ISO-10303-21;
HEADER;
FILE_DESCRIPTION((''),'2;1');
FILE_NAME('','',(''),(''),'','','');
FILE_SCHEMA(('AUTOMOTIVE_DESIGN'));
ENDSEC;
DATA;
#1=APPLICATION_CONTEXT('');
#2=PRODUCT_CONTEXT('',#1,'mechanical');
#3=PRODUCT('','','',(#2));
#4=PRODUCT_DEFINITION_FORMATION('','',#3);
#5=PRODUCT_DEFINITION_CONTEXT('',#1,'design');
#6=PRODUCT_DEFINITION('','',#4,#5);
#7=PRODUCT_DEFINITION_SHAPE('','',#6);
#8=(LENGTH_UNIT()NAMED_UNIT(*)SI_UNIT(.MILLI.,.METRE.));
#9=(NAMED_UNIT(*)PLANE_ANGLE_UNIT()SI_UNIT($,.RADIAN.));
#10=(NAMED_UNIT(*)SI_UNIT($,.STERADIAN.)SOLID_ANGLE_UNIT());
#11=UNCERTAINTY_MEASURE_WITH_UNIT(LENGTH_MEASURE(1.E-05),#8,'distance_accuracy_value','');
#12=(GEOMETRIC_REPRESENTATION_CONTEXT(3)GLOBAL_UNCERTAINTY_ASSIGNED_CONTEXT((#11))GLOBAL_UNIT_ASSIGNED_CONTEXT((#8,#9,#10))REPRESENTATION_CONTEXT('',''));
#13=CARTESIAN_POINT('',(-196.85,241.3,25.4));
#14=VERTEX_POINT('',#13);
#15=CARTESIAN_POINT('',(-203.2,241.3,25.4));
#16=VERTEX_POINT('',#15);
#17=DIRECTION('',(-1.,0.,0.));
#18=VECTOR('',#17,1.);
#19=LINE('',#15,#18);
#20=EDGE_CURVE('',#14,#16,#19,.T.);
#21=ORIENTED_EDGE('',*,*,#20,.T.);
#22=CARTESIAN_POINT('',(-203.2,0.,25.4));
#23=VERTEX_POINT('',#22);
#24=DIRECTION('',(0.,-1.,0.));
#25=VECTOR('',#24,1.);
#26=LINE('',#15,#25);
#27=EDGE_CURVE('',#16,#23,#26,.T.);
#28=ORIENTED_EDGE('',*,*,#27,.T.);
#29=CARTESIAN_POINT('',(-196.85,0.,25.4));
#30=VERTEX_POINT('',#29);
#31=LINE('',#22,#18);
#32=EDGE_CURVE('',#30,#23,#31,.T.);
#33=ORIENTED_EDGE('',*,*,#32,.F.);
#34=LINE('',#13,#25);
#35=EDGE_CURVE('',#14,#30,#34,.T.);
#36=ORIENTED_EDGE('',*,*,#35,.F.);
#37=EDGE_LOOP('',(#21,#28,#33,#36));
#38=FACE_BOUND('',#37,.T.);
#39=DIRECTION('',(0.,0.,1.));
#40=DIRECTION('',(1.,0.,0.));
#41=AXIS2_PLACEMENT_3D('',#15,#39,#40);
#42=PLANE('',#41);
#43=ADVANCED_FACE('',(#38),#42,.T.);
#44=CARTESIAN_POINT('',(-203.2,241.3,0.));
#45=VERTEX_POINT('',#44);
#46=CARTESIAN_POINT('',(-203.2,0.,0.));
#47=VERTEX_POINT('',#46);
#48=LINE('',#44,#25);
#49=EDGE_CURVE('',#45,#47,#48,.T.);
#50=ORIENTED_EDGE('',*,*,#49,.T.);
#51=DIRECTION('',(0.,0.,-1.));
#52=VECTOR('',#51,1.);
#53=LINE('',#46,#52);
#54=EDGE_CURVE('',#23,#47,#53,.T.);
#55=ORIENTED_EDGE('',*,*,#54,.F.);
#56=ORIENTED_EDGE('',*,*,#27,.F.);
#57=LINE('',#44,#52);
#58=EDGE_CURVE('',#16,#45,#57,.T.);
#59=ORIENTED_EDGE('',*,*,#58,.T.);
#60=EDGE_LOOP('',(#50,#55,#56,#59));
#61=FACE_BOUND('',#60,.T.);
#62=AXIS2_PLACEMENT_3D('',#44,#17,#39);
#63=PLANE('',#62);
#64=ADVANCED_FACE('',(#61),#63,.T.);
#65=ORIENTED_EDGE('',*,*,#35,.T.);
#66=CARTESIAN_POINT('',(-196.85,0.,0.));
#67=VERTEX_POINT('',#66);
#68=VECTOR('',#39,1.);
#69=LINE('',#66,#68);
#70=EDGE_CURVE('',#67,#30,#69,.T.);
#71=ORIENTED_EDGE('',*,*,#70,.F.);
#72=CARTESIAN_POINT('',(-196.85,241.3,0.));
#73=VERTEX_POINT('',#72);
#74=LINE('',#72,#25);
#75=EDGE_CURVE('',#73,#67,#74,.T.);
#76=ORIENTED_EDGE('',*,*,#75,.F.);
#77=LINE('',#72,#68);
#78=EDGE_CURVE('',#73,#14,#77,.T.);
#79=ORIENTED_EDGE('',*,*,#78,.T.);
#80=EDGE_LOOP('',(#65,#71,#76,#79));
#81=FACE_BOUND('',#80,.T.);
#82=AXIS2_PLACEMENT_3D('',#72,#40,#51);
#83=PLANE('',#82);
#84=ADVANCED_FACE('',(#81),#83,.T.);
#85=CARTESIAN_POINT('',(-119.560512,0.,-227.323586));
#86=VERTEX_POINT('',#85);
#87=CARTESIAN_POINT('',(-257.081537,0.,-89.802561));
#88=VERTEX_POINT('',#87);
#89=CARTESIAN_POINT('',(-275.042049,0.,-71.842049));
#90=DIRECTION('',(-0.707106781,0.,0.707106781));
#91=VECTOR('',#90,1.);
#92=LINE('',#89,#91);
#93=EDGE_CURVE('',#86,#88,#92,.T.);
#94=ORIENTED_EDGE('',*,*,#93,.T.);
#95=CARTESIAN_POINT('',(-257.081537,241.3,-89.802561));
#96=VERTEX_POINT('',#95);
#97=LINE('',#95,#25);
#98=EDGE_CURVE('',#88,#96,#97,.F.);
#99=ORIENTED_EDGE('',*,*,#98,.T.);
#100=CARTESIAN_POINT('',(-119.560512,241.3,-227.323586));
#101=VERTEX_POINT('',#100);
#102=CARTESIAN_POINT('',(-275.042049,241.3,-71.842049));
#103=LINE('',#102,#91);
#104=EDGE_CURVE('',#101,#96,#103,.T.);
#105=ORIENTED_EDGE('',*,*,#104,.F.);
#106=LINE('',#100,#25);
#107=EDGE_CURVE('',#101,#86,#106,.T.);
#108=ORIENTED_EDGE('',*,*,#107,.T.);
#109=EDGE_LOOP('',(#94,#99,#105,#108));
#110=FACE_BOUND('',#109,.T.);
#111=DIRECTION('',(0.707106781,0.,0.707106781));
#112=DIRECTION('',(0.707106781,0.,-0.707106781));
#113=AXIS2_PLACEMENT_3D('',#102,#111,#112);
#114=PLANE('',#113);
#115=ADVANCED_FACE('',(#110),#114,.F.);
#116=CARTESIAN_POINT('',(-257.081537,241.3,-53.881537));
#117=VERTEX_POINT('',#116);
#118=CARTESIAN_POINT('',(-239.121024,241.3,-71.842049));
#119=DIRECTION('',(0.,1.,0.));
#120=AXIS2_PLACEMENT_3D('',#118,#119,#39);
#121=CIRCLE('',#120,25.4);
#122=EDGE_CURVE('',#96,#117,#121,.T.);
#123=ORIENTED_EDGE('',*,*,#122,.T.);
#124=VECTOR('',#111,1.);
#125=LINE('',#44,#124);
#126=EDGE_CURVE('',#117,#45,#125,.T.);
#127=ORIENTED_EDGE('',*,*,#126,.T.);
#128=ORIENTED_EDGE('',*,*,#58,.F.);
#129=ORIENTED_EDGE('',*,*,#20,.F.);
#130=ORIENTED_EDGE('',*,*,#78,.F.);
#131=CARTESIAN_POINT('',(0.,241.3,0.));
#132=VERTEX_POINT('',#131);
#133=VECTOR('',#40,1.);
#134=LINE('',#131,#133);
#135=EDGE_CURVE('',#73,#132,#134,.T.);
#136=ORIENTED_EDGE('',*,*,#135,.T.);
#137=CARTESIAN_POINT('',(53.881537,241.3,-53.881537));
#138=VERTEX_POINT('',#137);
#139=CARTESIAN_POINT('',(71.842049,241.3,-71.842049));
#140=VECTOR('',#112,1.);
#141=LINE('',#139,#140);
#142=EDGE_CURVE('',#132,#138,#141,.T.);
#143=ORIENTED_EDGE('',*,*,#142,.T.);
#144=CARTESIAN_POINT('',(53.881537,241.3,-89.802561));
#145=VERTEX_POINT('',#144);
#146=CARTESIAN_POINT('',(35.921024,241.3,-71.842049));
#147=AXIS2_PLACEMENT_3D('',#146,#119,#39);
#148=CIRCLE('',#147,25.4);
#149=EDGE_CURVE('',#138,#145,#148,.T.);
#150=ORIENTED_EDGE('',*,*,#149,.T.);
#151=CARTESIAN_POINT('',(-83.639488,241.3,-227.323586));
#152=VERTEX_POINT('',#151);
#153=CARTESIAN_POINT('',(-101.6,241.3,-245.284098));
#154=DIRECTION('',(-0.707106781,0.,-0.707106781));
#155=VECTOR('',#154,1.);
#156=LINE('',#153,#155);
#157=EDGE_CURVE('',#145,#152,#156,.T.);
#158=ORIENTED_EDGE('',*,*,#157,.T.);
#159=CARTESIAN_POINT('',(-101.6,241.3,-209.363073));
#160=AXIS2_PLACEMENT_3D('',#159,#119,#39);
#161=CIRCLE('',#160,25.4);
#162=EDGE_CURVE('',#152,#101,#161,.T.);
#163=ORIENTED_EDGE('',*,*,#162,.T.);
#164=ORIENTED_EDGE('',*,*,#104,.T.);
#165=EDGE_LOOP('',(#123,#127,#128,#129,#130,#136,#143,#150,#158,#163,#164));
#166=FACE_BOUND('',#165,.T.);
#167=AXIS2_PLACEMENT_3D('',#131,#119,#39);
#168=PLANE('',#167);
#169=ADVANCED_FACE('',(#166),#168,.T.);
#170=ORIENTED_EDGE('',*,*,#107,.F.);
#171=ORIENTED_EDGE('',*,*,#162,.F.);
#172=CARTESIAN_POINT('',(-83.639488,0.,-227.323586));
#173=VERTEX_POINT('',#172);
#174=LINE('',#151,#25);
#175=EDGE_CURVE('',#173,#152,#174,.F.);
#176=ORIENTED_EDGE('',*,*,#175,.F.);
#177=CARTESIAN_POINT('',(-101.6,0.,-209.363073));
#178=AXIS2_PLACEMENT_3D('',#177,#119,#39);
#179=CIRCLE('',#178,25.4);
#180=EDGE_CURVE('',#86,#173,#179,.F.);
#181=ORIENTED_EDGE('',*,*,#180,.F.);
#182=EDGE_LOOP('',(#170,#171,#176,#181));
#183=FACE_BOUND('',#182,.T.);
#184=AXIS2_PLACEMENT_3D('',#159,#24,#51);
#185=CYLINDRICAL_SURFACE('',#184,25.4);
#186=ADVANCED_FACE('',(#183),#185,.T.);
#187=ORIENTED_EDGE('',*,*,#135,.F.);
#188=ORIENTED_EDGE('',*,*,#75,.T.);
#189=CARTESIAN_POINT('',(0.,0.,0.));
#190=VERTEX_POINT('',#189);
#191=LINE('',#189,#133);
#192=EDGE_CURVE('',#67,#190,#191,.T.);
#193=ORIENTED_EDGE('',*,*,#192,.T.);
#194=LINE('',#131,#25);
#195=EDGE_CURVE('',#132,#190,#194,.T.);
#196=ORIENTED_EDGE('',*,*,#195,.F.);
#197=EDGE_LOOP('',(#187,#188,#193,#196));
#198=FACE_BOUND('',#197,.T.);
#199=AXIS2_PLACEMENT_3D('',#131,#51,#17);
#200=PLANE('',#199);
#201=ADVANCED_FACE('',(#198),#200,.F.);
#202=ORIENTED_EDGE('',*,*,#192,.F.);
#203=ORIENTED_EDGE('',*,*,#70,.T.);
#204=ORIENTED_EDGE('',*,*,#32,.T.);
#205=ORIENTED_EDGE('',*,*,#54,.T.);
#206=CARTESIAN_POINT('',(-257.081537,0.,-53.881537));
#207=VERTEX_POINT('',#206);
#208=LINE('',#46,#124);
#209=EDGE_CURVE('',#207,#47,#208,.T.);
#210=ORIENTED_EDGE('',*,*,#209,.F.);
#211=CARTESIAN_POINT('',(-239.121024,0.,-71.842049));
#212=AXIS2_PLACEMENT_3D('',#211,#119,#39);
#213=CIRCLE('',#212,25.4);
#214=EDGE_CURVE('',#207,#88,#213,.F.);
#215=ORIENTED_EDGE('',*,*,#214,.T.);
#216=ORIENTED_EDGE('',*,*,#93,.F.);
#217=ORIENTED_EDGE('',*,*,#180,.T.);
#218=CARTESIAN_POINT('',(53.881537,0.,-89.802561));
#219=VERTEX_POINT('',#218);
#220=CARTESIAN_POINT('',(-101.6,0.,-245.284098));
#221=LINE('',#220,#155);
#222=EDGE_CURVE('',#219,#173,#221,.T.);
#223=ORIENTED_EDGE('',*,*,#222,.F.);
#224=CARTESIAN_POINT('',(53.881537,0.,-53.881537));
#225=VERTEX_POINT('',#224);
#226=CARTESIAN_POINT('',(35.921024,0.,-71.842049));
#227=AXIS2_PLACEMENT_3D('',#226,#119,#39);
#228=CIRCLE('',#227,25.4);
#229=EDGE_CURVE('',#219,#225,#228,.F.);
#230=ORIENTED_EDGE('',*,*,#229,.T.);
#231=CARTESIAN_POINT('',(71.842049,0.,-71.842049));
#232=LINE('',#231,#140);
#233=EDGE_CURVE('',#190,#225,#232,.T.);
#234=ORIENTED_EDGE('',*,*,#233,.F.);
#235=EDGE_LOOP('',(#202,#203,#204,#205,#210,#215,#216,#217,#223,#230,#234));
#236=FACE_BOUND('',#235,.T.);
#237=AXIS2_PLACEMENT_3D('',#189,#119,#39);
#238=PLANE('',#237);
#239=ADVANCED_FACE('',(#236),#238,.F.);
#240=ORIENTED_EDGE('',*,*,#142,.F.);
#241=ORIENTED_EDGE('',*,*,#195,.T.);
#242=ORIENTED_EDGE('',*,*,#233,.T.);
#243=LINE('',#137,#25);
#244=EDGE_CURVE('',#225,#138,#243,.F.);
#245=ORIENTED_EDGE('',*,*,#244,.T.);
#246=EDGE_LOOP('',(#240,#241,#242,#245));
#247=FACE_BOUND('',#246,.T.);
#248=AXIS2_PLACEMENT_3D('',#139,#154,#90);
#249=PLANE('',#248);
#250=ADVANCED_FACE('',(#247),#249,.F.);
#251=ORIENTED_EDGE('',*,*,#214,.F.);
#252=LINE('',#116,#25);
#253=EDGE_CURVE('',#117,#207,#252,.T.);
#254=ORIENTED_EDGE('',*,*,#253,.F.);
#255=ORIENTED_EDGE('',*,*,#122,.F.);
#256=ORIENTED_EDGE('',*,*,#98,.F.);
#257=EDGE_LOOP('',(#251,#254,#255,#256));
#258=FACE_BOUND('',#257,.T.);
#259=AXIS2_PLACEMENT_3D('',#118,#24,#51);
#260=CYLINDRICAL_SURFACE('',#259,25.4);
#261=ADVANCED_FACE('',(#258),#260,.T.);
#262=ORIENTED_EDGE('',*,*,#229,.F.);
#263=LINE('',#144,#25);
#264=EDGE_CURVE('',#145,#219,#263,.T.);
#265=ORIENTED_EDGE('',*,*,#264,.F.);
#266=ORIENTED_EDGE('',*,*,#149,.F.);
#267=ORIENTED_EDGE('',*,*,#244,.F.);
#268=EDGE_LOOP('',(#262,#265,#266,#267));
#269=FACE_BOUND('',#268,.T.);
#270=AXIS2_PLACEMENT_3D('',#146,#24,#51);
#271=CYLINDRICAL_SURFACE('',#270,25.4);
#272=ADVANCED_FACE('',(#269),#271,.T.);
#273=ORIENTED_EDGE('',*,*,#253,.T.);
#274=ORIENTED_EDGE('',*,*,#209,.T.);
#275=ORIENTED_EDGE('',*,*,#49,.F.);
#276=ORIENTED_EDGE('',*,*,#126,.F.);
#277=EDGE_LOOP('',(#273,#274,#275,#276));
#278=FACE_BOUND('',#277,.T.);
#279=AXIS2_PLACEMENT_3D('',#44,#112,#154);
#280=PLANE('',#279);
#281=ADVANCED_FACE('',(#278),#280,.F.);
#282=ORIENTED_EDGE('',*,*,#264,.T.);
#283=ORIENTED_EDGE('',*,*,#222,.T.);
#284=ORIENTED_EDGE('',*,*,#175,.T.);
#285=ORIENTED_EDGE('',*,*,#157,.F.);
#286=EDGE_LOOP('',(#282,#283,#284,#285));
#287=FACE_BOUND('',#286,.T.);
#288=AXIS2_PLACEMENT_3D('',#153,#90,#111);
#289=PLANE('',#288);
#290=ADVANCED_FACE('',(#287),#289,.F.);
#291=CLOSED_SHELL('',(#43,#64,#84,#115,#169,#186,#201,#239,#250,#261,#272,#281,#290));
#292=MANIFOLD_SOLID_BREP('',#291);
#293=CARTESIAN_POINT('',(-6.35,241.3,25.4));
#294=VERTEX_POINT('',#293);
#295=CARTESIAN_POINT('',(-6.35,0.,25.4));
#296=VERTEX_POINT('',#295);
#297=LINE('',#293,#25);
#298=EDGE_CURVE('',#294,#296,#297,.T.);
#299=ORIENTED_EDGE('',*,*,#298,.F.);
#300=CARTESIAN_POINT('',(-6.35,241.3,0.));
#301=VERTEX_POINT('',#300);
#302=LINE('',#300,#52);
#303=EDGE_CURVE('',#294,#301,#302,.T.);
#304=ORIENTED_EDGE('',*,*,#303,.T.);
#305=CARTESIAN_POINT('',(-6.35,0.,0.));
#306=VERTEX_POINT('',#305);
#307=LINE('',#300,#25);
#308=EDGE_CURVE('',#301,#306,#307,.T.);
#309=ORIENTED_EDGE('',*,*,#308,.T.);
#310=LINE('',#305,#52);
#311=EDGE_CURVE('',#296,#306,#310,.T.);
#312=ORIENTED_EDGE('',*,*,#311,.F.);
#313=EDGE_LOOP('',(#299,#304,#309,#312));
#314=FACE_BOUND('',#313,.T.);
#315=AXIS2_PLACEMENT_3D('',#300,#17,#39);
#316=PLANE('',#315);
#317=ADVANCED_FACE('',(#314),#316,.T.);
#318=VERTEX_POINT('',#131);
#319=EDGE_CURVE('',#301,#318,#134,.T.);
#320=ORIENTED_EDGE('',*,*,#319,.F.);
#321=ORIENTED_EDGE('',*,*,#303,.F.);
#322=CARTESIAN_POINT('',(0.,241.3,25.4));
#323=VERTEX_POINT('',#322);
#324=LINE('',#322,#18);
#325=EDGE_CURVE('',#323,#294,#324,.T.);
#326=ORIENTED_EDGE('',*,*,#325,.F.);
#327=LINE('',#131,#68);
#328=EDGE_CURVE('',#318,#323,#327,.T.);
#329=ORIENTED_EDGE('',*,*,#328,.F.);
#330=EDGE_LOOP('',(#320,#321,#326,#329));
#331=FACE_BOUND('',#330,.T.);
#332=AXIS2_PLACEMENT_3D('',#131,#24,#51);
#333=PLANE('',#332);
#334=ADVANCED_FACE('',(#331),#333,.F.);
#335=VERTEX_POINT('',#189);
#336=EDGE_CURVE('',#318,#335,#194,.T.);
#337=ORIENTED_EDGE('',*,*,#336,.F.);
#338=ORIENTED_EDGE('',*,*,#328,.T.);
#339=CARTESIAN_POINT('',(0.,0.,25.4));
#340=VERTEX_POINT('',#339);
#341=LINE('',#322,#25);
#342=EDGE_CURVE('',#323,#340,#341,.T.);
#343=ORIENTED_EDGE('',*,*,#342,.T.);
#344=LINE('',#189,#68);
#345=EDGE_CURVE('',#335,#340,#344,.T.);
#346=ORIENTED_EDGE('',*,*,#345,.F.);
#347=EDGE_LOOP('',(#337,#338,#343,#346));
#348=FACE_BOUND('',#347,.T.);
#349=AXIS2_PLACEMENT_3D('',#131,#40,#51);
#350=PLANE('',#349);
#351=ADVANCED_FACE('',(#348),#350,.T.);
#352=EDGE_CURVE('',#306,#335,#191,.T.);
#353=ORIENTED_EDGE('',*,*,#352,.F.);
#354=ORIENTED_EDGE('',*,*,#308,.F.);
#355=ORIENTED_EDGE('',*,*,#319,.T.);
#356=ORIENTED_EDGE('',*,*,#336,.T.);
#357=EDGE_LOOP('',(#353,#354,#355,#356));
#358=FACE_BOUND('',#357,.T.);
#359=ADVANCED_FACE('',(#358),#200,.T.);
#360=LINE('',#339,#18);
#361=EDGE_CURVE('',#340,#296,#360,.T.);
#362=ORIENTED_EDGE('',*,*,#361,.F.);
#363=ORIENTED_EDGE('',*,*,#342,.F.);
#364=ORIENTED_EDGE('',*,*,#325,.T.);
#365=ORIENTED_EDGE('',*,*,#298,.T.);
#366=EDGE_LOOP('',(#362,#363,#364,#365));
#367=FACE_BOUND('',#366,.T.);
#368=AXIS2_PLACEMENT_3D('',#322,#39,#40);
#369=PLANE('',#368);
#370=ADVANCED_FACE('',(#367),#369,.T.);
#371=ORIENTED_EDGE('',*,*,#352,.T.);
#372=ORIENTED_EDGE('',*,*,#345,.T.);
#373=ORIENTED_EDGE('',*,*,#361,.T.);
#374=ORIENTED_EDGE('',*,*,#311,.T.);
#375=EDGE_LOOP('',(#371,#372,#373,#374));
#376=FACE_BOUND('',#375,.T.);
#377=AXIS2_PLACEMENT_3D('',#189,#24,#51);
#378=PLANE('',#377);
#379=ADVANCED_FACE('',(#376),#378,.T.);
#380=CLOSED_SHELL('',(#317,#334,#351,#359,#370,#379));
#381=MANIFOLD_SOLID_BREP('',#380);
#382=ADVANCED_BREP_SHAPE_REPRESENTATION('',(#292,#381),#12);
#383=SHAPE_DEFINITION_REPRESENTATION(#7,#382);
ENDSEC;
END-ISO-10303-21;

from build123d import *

# Parameters (mm, degrees)
SKETCH6_W             = 6.35
SKETCH6_H             = 25.4
BOSS_EXTRUDE1_DEPTH   = 241.3
BOSS_EXTRUDE1_2_DEPTH = 241.3
BOSS_EXTRUDE2_DEPTH   = 241.3
FILLET2_R             = 25.4
FILLET3_R             = 25.4
FILLET4_R             = 25.4


with BuildPart() as part:
    # Sketch6 → Boss-Extrude1 (new body)
    with BuildSketch(Plane.XZ):
        with Locations((-200.025, 12.7)):
            Rectangle(SKETCH6_W, SKETCH6_H)
    extrude(amount=-BOSS_EXTRUDE1_DEPTH)

    # Sketch10 → Boss-Extrude2 (add)
    with BuildSketch(Plane(origin=(0, 0, 0), x_dir=(1, 0, 0), z_dir=(0, 1, 0))):
        Polygon((0, 0), (-203.2, 0), (-275.042048969, 71.842048969), (-101.6, 245.284097937), (71.842048969, 71.842048969), align=None)
    extrude(amount=BOSS_EXTRUDE2_DEPTH)

    # Fillet2
    fillet2_edges = [part.edges().sort_by_distance(p)[0] for p in [
        (-101.6, 120.65, -245.284097937),
    ]]
    fillet(fillet2_edges, radius=FILLET2_R)

    # Fillet3
    fillet3_edges = [part.edges().sort_by_distance(p)[0] for p in [
        (-275.042048969, 120.65, -71.842048969),
    ]]
    fillet(fillet3_edges, radius=FILLET3_R)

    # Fillet4
    fillet4_edges = [part.edges().sort_by_distance(p)[0] for p in [
        (71.842048969, 120.65, -71.842048969),
    ]]
    fillet(fillet4_edges, radius=FILLET4_R)


with BuildPart() as body_2:
    # Sketch6 → Boss-Extrude1 2 (new body)
    with BuildSketch(Plane.XZ):
        with Locations((-3.175, 12.7)):
            Rectangle(SKETCH6_W, SKETCH6_H)
    extrude(amount=-BOSS_EXTRUDE1_2_DEPTH)


solid = Compound([part.part, body_2.part])
